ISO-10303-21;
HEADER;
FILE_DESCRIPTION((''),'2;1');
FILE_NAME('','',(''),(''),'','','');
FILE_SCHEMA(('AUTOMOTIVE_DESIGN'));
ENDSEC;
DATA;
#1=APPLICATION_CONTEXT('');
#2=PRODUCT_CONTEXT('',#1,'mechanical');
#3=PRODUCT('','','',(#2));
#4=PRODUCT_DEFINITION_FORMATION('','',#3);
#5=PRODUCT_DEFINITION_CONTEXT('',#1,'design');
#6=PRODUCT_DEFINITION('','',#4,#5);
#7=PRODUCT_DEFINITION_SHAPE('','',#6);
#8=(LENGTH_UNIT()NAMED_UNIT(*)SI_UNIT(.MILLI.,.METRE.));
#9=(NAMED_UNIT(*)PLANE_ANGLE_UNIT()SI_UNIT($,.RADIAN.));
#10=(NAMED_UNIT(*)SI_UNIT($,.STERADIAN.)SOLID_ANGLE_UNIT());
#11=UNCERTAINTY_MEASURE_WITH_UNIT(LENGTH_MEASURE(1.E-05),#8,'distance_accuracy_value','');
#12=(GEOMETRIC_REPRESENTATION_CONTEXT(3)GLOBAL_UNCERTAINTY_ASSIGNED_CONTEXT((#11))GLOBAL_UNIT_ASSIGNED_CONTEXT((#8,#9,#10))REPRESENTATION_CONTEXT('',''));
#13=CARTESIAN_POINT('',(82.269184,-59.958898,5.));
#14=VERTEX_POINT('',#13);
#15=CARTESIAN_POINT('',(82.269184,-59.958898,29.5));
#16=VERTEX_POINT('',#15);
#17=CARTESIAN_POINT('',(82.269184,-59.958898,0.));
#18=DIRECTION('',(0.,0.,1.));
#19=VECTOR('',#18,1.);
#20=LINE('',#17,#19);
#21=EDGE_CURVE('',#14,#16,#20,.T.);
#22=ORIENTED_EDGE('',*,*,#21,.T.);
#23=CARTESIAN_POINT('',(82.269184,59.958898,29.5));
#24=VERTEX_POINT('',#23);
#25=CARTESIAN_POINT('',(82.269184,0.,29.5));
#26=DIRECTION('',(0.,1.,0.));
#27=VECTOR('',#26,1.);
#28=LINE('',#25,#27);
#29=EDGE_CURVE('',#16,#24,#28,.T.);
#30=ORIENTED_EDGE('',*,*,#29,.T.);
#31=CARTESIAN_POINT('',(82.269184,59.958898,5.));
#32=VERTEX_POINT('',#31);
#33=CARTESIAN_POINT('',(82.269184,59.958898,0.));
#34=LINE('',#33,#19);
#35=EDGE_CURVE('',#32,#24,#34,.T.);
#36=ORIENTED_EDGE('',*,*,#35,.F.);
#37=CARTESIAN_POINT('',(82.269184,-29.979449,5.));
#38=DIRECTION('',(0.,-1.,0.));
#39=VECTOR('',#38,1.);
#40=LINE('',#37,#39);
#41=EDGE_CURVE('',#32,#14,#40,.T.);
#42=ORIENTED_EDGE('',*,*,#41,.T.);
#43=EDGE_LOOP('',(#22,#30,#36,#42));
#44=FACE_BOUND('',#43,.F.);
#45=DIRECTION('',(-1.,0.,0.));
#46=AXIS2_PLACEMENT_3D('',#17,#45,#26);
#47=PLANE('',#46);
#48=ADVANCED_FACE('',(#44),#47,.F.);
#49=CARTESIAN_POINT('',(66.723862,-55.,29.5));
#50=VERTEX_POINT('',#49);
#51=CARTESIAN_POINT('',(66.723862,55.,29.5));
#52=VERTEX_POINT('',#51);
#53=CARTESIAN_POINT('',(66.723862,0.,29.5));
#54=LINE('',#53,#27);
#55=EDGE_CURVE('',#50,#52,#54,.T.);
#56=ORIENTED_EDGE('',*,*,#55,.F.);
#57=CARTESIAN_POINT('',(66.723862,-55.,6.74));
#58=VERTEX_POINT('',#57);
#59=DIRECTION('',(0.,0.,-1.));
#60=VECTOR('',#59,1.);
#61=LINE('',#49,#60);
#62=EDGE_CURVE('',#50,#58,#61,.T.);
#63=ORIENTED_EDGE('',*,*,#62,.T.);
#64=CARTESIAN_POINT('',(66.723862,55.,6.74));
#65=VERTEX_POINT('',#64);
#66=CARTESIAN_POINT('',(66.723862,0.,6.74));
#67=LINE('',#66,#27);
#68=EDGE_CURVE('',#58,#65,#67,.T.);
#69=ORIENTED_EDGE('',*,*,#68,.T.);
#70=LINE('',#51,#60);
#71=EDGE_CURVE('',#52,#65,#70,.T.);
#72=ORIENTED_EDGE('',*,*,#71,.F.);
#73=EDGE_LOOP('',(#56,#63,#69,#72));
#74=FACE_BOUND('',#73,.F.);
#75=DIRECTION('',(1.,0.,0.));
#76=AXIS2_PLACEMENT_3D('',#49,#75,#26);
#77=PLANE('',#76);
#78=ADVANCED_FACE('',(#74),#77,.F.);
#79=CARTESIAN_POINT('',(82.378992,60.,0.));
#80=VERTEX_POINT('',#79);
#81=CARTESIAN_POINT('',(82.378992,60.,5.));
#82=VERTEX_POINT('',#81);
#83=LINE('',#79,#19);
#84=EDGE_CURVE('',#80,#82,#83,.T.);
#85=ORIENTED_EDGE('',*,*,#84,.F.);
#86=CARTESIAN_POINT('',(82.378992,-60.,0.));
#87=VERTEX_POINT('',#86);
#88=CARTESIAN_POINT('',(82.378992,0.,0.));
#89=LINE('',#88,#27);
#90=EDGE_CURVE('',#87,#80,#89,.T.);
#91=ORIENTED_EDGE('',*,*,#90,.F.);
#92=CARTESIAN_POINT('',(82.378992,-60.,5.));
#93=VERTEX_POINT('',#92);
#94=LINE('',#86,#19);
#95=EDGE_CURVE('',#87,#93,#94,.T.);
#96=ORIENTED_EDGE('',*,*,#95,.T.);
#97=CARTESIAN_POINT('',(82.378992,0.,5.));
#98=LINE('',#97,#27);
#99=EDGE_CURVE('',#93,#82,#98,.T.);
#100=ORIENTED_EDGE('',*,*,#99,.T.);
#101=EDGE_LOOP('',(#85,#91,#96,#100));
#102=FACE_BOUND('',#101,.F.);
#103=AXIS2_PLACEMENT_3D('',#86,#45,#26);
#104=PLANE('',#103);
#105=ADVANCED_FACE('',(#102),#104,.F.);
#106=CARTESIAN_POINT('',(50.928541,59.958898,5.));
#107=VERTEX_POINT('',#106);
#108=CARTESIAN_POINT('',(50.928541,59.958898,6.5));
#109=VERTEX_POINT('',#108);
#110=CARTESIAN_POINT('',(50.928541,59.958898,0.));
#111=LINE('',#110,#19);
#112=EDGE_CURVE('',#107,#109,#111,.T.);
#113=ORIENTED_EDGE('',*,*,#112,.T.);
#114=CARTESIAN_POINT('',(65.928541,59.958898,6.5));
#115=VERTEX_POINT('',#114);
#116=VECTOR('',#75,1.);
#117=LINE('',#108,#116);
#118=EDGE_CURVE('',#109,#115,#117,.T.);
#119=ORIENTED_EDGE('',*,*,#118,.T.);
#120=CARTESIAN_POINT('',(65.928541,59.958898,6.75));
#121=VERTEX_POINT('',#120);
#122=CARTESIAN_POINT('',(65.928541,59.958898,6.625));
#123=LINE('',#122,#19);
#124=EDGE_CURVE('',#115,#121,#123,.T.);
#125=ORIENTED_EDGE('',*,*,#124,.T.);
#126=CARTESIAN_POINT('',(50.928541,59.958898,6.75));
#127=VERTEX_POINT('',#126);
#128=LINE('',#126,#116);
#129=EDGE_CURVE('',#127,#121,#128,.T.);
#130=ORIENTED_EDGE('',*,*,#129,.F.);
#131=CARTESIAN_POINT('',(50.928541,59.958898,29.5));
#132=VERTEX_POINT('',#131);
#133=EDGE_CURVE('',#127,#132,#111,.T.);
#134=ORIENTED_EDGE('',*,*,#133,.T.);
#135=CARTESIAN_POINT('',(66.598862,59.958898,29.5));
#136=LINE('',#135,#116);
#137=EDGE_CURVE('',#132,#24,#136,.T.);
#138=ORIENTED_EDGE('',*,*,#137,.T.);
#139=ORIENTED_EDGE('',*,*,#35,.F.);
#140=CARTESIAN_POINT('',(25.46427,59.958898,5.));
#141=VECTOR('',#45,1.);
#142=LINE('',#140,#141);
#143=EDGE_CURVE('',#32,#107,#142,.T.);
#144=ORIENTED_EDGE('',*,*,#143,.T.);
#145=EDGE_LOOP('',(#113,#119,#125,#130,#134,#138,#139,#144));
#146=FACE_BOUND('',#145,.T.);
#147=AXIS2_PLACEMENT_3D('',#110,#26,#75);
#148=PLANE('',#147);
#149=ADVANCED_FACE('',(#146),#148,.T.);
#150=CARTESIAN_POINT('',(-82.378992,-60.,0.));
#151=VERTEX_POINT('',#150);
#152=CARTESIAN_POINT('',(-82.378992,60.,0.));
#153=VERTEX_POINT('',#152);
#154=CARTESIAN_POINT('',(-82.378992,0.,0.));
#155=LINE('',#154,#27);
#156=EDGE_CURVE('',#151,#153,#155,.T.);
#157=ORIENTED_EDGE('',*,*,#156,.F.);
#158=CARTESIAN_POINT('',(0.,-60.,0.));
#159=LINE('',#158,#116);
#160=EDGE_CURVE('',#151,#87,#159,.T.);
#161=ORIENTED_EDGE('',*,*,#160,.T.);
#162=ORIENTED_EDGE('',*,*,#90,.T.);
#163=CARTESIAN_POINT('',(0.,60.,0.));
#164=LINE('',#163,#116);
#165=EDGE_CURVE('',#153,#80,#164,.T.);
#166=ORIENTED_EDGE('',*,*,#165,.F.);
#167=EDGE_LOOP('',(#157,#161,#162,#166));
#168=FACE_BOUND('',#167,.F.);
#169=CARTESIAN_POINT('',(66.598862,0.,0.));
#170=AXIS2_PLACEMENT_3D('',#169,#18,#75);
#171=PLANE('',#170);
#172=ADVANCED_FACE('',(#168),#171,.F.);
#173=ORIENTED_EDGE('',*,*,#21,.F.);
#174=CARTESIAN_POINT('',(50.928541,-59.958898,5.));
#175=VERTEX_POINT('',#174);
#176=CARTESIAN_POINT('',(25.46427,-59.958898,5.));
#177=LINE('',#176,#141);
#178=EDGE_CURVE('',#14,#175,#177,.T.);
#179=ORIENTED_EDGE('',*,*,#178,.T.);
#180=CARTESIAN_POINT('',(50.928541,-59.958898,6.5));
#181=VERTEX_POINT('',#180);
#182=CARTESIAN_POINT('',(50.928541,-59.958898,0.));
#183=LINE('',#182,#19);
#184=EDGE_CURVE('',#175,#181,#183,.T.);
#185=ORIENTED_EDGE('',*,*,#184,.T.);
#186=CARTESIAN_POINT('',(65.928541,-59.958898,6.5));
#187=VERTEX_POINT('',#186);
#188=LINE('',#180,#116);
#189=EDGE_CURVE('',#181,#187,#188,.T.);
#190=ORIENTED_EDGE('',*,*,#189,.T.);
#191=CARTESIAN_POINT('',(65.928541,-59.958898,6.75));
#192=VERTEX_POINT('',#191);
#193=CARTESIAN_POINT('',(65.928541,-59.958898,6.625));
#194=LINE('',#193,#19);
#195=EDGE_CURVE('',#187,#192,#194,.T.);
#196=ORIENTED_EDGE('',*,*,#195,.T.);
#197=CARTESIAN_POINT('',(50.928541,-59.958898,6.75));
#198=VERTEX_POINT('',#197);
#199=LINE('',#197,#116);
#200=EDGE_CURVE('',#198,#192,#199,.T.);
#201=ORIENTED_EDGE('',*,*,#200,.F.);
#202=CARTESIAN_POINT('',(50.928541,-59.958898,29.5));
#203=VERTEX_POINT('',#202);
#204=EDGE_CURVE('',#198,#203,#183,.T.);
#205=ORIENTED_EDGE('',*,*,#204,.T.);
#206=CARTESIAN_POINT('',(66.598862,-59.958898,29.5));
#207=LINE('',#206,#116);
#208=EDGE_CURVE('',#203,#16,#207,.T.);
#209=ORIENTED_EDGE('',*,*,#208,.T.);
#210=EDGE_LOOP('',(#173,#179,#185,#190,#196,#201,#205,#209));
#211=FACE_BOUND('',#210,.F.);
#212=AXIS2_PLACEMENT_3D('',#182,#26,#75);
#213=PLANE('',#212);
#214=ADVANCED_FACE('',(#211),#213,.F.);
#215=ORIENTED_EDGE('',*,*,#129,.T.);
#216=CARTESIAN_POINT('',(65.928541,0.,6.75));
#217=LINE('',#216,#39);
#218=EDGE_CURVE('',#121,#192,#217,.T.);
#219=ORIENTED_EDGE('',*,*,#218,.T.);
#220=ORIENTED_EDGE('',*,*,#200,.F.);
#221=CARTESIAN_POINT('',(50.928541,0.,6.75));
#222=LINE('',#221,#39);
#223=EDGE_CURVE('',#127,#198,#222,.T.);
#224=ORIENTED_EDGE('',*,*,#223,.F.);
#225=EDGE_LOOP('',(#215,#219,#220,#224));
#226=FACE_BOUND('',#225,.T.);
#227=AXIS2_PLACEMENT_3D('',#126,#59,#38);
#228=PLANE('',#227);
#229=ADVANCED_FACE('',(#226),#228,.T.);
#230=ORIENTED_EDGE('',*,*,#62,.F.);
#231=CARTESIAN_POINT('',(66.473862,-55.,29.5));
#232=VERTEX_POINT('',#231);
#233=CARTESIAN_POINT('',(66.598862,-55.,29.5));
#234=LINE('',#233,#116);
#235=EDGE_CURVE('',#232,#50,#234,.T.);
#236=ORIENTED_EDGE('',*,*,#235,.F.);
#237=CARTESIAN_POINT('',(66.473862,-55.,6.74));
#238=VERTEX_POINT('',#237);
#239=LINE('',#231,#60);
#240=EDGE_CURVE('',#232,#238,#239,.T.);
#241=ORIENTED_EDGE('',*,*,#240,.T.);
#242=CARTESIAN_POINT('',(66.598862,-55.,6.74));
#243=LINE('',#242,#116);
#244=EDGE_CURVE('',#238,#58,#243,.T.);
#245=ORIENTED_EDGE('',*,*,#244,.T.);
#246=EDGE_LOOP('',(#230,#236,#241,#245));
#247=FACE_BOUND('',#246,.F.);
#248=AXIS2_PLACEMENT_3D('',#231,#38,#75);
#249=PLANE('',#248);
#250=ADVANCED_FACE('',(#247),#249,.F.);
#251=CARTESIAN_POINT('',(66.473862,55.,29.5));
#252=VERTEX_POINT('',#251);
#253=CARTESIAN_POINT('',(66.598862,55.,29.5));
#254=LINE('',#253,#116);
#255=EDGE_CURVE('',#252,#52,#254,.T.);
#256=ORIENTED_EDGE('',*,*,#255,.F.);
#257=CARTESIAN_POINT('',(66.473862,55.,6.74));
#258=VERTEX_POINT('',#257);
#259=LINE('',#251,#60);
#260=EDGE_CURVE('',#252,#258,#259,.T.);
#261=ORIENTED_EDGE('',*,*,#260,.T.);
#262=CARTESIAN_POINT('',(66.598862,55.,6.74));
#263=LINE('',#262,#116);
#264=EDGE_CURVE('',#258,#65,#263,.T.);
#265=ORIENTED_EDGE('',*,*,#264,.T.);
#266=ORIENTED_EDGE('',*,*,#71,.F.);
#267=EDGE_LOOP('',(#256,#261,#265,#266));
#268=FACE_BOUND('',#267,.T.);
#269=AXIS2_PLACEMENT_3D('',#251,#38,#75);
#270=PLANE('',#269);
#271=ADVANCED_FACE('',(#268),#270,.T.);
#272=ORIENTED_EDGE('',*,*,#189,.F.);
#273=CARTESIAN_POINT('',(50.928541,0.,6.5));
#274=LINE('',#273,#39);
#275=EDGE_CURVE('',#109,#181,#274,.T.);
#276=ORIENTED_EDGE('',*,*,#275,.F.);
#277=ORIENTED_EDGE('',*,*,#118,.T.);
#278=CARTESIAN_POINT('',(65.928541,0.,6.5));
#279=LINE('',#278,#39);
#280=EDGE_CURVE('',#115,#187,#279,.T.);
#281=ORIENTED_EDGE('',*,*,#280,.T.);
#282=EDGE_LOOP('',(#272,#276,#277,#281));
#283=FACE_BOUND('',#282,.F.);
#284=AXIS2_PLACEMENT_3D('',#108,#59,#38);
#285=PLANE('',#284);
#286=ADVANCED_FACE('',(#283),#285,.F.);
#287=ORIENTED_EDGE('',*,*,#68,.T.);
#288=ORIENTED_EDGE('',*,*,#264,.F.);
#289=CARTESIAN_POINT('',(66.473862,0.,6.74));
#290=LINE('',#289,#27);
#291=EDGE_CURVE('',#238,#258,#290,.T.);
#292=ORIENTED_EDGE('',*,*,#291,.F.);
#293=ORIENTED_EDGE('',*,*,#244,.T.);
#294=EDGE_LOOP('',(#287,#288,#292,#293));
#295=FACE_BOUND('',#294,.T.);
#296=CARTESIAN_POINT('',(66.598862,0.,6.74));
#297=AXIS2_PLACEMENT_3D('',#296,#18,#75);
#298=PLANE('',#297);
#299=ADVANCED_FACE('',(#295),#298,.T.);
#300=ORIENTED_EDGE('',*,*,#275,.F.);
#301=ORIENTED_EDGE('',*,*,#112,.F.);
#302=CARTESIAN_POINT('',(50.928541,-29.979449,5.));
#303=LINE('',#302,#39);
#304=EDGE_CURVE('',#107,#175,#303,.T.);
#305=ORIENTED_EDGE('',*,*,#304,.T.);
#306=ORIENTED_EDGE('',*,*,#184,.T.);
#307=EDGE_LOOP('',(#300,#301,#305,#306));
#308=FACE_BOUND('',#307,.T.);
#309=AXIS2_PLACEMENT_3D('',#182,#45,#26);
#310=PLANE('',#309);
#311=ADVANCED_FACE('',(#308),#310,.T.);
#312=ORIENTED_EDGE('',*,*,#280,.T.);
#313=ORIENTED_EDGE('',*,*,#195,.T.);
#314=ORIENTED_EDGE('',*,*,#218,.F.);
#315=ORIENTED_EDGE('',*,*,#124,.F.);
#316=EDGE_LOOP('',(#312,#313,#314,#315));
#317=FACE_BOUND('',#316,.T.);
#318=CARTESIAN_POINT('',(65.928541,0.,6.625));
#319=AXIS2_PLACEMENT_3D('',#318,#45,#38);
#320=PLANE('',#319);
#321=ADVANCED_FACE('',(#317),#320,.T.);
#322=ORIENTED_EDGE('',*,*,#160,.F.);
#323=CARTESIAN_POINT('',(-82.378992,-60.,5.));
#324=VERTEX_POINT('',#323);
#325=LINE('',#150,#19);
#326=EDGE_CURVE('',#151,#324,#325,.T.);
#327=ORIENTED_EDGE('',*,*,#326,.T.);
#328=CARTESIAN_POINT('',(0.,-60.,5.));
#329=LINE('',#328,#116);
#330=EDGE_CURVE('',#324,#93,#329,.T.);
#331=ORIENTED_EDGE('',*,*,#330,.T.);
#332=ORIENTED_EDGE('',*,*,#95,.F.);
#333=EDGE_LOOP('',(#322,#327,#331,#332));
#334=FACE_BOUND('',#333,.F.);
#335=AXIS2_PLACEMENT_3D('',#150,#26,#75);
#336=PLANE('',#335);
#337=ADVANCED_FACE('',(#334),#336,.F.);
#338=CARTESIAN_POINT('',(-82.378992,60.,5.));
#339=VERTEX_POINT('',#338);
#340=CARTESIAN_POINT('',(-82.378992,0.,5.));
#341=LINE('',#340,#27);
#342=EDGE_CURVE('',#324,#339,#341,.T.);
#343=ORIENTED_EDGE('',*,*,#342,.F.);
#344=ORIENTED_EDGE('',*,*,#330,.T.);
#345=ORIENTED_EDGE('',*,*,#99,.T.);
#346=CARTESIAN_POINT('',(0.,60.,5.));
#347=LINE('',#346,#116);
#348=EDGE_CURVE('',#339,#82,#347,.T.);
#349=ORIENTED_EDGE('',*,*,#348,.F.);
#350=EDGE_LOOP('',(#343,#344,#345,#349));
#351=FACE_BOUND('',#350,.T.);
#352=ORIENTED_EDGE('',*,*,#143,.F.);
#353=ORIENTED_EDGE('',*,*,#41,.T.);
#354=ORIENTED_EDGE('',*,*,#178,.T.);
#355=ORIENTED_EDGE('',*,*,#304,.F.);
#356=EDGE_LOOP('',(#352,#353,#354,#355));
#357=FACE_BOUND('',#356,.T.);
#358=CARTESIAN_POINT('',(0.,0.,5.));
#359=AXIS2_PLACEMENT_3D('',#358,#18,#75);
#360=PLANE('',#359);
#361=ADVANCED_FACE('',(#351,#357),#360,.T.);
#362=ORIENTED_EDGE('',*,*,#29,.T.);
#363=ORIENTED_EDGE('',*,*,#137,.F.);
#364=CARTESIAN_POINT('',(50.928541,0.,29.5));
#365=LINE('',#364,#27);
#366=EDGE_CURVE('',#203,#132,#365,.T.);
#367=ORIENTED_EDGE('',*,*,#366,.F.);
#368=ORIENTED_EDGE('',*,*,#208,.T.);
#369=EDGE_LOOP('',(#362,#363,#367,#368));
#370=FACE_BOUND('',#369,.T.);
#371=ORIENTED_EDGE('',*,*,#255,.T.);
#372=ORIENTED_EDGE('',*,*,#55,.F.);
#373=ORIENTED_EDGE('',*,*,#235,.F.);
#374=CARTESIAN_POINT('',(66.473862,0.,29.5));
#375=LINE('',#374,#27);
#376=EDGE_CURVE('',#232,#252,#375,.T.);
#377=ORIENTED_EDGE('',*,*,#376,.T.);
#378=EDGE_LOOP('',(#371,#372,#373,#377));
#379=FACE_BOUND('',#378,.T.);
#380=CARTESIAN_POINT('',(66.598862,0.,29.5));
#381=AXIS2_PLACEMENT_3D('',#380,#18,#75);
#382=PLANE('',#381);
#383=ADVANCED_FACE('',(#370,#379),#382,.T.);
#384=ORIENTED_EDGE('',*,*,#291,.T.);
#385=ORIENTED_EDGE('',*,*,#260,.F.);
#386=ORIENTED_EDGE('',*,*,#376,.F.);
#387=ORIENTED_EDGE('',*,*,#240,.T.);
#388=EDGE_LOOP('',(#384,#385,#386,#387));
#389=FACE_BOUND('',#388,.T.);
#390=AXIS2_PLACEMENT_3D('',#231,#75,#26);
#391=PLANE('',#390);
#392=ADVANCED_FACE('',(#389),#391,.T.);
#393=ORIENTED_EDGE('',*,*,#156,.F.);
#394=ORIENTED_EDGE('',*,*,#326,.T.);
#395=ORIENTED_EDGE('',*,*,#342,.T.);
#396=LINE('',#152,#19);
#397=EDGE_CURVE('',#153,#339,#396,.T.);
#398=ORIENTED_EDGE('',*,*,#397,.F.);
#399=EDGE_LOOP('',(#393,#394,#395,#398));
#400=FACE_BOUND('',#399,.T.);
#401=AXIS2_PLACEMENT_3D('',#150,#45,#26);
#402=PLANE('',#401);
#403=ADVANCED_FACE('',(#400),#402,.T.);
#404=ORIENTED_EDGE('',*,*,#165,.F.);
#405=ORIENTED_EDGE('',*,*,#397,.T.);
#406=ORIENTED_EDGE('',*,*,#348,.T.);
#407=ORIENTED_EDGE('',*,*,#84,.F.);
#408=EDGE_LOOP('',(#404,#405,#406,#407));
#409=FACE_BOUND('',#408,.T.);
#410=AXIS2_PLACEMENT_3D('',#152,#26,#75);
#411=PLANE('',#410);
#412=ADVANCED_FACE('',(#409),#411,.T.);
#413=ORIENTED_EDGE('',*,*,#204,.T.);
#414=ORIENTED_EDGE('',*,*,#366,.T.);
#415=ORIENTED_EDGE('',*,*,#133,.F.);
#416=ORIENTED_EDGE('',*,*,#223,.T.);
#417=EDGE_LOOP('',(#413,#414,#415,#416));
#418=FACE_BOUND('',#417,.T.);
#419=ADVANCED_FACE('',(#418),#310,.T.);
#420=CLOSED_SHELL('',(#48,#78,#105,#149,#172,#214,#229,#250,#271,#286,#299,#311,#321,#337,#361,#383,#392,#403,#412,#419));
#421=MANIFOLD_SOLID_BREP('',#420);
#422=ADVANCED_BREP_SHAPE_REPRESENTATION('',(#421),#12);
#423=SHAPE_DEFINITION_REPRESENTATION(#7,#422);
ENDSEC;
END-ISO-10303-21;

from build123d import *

# Parameters (mm, degrees)
F0_W     = 164.7579842525
F0_H     = 120
F1_DEPTH = 5
F2_W     = 31.3406437635
F2_H     = 119.9177950621
F3_DEPTH = 29.5
F4_W     = 119.9177950621
F4_H     = 0.25
F5_DEPTH = 15
F6_W     = 0.25
F6_H     = 110
F7_DEPTH = 22.76


with BuildPart() as f1:
    # F0 (on Top) → F1 (new body)
    with BuildSketch(Plane.XY):
        Rectangle(F0_W, F0_H)
    extrude(amount=F1_DEPTH)

    # F2 (on Top) → F3 (join)
    with BuildSketch(Plane.XY):
        with Locations((66.5988624096, 0)):
            Rectangle(F2_W, F2_H)
    extrude(amount=F3_DEPTH)

    # F4 (on face) → F5 (cut)
    with BuildSketch(Plane(origin=(50.9285405278, 0, 0), x_dir=(0, -1, 0), z_dir=(-1, 0, 0))):
        with Locations((0, 6.625)):
            Rectangle(F4_W, F4_H)
    extrude(amount=-F5_DEPTH, mode=Mode.SUBTRACT)

    # F6 (on face) → F7 (cut)
    with BuildSketch(Plane.XY.offset(29.5)):
        with Locations((66.5988624096, 0)):
            Rectangle(F6_W, F6_H)
    extrude(amount=-F7_DEPTH, mode=Mode.SUBTRACT)


solid = f1.part
